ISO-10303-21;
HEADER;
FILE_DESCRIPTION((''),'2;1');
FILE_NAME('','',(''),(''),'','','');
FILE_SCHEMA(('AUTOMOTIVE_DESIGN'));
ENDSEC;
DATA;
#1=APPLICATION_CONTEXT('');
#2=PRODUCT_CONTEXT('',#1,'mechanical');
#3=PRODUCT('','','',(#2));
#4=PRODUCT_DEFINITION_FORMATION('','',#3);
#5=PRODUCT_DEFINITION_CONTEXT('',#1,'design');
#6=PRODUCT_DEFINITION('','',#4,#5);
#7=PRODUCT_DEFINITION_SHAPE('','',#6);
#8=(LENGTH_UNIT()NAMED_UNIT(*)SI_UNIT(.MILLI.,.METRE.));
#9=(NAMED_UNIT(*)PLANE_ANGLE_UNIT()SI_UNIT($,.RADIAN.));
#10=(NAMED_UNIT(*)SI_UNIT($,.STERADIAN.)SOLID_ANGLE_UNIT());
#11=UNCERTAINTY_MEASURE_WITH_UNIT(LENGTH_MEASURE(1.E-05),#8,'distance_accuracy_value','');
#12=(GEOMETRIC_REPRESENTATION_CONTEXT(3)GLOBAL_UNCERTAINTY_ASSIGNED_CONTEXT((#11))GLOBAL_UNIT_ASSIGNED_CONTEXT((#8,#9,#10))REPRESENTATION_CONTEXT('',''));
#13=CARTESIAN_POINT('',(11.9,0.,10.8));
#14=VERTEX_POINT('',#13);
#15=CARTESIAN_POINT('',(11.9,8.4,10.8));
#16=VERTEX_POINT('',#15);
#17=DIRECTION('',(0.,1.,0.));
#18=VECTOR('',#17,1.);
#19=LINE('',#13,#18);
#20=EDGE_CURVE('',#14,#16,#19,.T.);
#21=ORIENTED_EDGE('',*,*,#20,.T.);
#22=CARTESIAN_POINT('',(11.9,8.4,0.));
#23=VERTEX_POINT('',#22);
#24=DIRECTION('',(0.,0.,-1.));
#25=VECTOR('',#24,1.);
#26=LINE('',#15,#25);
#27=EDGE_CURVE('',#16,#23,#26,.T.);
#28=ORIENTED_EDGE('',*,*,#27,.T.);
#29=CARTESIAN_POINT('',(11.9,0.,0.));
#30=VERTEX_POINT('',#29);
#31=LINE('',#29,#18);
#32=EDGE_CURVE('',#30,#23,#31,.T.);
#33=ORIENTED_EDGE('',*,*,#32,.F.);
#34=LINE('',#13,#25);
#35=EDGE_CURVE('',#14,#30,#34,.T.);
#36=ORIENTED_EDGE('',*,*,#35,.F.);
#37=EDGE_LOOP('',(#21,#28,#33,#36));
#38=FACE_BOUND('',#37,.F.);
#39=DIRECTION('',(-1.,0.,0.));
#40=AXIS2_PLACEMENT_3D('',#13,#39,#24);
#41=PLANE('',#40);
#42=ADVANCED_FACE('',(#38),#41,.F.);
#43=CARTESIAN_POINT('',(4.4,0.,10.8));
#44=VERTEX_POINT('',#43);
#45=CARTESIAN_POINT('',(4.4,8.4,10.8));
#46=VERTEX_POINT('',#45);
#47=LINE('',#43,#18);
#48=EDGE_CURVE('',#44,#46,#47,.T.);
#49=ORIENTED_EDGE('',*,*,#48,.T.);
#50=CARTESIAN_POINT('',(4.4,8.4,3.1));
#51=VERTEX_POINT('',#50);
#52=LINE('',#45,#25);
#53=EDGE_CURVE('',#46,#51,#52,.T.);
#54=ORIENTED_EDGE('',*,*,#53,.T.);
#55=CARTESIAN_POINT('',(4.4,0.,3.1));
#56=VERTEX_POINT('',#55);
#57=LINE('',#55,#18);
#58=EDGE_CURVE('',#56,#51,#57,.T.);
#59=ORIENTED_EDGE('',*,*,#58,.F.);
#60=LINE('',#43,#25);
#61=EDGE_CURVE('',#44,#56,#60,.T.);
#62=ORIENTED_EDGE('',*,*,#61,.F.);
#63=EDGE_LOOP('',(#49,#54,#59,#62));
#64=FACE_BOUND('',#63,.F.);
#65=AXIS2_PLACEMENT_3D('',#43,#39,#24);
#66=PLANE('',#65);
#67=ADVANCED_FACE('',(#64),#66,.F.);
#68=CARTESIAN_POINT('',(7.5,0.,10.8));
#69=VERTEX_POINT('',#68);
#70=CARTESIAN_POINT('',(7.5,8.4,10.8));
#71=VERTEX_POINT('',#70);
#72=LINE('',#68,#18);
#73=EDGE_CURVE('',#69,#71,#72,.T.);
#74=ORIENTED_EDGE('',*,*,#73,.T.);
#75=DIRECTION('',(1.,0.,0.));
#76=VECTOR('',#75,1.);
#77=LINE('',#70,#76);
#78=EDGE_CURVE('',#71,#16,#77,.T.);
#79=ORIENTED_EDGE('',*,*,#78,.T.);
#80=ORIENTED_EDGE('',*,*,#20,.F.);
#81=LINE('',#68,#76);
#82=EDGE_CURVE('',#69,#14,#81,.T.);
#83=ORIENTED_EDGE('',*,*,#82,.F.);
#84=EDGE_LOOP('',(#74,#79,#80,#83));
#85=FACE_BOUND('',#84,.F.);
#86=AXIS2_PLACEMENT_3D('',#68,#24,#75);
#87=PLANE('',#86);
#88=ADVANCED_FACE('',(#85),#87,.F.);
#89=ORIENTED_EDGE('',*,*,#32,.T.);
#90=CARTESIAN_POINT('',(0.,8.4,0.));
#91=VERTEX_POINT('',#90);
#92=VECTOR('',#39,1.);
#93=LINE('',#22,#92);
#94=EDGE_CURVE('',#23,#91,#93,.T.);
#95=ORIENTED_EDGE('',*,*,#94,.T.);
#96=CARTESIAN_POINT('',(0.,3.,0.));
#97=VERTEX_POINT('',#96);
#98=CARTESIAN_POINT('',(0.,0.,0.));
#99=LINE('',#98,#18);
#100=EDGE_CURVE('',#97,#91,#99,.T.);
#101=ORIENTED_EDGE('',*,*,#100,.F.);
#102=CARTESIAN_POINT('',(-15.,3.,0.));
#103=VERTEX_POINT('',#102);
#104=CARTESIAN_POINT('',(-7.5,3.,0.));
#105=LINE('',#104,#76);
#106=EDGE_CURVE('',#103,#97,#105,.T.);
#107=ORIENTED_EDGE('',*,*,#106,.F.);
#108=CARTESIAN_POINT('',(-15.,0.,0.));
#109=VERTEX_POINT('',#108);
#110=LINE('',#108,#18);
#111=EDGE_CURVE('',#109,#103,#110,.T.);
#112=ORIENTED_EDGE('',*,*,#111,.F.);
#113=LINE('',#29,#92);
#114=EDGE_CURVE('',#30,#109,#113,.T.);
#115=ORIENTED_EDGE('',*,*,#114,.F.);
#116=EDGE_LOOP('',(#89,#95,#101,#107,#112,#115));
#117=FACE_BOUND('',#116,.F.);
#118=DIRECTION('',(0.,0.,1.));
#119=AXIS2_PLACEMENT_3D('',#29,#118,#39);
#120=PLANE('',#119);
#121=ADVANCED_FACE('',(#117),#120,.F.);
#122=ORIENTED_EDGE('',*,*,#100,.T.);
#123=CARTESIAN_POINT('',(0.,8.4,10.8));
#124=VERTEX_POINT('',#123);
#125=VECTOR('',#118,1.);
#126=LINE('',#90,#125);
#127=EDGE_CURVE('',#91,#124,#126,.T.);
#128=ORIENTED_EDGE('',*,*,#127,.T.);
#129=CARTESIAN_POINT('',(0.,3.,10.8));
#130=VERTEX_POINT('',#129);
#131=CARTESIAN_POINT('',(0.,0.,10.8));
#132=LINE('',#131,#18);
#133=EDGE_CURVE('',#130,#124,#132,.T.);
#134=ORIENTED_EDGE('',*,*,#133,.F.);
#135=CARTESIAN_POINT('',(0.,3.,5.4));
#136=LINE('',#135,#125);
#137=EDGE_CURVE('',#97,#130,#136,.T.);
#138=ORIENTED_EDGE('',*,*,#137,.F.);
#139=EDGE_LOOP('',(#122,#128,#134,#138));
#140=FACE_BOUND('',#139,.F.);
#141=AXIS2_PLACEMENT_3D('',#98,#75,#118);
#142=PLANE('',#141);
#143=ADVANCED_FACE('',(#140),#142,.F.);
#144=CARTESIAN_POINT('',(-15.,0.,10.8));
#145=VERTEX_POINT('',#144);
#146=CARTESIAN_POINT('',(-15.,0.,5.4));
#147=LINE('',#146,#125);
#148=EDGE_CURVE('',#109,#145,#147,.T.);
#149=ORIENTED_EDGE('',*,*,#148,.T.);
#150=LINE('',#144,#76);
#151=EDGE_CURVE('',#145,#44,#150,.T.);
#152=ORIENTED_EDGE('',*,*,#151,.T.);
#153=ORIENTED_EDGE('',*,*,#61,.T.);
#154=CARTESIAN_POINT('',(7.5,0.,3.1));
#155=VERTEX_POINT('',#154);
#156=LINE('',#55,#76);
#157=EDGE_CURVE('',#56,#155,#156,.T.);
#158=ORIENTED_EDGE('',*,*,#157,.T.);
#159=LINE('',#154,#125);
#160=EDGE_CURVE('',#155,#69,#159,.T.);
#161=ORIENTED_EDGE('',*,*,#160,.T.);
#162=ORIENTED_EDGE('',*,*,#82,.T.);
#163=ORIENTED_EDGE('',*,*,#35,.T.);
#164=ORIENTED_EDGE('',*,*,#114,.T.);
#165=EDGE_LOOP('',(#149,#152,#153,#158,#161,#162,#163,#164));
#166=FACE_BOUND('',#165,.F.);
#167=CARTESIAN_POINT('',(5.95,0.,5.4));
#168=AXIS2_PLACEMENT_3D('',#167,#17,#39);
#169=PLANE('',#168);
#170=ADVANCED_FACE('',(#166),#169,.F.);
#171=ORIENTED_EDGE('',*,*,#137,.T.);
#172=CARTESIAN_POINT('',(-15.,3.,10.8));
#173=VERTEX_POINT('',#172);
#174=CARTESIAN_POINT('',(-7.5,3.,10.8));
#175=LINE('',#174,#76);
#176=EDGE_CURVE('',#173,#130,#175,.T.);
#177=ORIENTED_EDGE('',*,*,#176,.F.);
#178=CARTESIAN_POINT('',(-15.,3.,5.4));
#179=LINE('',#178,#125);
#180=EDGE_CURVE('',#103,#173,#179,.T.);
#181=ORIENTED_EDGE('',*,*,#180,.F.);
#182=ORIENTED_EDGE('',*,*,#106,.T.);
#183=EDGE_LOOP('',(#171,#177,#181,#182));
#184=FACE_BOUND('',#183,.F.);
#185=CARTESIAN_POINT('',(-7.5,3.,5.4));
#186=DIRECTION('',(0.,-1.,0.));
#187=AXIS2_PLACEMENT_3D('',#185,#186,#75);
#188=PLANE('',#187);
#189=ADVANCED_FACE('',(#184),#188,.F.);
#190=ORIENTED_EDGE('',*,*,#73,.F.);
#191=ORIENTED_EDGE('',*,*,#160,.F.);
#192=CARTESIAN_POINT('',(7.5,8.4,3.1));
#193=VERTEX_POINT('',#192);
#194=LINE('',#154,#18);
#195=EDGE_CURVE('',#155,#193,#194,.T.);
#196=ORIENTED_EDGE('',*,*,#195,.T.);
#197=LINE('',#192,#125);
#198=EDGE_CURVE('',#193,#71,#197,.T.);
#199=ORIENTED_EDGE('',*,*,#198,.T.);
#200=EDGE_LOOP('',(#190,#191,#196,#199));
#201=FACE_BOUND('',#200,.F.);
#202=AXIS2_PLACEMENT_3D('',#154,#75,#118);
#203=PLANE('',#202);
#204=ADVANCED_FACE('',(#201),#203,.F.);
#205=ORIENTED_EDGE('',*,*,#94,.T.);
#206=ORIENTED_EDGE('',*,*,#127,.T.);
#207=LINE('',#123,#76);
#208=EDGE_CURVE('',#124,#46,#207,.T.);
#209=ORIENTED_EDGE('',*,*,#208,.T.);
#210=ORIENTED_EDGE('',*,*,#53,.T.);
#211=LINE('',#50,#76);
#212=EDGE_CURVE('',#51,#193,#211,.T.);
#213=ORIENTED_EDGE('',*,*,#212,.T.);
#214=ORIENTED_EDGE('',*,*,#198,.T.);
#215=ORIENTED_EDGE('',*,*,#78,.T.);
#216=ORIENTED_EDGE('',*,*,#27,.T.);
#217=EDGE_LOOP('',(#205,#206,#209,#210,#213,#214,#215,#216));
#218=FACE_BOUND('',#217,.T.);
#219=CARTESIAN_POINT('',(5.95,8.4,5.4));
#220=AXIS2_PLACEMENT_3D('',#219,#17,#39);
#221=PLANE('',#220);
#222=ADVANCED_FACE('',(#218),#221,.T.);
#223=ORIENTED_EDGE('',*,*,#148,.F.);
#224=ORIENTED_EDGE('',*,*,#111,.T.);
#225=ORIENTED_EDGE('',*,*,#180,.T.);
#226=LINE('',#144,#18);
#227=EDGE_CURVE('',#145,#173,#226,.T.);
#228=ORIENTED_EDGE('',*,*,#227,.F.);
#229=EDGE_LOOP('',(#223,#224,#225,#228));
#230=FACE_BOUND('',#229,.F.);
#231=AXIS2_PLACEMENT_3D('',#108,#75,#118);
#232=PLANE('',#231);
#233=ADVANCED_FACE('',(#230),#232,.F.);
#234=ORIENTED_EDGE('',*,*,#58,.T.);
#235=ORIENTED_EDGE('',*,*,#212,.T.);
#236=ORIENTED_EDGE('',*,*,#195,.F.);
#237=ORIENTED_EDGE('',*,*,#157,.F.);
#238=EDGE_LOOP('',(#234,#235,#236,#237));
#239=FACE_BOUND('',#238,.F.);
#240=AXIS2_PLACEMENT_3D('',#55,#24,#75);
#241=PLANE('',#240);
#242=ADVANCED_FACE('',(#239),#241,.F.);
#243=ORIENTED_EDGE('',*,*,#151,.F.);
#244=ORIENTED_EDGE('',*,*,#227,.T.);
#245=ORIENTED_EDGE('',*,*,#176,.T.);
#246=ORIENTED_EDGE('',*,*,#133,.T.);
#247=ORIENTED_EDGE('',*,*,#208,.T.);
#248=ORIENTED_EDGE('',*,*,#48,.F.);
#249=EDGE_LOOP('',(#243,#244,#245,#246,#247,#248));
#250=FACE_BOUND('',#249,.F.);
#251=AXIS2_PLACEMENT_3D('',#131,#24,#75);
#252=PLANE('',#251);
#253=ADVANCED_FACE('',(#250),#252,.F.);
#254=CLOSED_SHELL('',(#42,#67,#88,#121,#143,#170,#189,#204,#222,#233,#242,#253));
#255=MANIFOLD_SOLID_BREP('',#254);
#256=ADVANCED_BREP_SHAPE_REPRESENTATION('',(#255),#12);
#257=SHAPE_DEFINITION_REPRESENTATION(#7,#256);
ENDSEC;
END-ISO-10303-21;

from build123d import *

# Parameters (mm, degrees)
SKETCH001_W  = 15
SKETCH001_H  = 10.8
PAD_DEPTH    = 3
PAD001_DEPTH = 8.4


with BuildPart() as part:
    # Sketch001 → Pad (new body)
    with BuildSketch(Plane.XZ):
        with Locations((-7.5, 5.4)):
            Rectangle(SKETCH001_W, SKETCH001_H)
    extrude(amount=-PAD_DEPTH)

    # Sketch → Pad001 (join)
    with BuildSketch(Plane.XZ):
        Polygon((0, 0), (0, 10.8), (4.4, 10.8), (4.4, 3.1), (7.5, 3.1), (7.5, 10.8), (11.9, 10.8), (11.9, 0), align=None)
    extrude(amount=-PAD001_DEPTH)


solid = part.part
